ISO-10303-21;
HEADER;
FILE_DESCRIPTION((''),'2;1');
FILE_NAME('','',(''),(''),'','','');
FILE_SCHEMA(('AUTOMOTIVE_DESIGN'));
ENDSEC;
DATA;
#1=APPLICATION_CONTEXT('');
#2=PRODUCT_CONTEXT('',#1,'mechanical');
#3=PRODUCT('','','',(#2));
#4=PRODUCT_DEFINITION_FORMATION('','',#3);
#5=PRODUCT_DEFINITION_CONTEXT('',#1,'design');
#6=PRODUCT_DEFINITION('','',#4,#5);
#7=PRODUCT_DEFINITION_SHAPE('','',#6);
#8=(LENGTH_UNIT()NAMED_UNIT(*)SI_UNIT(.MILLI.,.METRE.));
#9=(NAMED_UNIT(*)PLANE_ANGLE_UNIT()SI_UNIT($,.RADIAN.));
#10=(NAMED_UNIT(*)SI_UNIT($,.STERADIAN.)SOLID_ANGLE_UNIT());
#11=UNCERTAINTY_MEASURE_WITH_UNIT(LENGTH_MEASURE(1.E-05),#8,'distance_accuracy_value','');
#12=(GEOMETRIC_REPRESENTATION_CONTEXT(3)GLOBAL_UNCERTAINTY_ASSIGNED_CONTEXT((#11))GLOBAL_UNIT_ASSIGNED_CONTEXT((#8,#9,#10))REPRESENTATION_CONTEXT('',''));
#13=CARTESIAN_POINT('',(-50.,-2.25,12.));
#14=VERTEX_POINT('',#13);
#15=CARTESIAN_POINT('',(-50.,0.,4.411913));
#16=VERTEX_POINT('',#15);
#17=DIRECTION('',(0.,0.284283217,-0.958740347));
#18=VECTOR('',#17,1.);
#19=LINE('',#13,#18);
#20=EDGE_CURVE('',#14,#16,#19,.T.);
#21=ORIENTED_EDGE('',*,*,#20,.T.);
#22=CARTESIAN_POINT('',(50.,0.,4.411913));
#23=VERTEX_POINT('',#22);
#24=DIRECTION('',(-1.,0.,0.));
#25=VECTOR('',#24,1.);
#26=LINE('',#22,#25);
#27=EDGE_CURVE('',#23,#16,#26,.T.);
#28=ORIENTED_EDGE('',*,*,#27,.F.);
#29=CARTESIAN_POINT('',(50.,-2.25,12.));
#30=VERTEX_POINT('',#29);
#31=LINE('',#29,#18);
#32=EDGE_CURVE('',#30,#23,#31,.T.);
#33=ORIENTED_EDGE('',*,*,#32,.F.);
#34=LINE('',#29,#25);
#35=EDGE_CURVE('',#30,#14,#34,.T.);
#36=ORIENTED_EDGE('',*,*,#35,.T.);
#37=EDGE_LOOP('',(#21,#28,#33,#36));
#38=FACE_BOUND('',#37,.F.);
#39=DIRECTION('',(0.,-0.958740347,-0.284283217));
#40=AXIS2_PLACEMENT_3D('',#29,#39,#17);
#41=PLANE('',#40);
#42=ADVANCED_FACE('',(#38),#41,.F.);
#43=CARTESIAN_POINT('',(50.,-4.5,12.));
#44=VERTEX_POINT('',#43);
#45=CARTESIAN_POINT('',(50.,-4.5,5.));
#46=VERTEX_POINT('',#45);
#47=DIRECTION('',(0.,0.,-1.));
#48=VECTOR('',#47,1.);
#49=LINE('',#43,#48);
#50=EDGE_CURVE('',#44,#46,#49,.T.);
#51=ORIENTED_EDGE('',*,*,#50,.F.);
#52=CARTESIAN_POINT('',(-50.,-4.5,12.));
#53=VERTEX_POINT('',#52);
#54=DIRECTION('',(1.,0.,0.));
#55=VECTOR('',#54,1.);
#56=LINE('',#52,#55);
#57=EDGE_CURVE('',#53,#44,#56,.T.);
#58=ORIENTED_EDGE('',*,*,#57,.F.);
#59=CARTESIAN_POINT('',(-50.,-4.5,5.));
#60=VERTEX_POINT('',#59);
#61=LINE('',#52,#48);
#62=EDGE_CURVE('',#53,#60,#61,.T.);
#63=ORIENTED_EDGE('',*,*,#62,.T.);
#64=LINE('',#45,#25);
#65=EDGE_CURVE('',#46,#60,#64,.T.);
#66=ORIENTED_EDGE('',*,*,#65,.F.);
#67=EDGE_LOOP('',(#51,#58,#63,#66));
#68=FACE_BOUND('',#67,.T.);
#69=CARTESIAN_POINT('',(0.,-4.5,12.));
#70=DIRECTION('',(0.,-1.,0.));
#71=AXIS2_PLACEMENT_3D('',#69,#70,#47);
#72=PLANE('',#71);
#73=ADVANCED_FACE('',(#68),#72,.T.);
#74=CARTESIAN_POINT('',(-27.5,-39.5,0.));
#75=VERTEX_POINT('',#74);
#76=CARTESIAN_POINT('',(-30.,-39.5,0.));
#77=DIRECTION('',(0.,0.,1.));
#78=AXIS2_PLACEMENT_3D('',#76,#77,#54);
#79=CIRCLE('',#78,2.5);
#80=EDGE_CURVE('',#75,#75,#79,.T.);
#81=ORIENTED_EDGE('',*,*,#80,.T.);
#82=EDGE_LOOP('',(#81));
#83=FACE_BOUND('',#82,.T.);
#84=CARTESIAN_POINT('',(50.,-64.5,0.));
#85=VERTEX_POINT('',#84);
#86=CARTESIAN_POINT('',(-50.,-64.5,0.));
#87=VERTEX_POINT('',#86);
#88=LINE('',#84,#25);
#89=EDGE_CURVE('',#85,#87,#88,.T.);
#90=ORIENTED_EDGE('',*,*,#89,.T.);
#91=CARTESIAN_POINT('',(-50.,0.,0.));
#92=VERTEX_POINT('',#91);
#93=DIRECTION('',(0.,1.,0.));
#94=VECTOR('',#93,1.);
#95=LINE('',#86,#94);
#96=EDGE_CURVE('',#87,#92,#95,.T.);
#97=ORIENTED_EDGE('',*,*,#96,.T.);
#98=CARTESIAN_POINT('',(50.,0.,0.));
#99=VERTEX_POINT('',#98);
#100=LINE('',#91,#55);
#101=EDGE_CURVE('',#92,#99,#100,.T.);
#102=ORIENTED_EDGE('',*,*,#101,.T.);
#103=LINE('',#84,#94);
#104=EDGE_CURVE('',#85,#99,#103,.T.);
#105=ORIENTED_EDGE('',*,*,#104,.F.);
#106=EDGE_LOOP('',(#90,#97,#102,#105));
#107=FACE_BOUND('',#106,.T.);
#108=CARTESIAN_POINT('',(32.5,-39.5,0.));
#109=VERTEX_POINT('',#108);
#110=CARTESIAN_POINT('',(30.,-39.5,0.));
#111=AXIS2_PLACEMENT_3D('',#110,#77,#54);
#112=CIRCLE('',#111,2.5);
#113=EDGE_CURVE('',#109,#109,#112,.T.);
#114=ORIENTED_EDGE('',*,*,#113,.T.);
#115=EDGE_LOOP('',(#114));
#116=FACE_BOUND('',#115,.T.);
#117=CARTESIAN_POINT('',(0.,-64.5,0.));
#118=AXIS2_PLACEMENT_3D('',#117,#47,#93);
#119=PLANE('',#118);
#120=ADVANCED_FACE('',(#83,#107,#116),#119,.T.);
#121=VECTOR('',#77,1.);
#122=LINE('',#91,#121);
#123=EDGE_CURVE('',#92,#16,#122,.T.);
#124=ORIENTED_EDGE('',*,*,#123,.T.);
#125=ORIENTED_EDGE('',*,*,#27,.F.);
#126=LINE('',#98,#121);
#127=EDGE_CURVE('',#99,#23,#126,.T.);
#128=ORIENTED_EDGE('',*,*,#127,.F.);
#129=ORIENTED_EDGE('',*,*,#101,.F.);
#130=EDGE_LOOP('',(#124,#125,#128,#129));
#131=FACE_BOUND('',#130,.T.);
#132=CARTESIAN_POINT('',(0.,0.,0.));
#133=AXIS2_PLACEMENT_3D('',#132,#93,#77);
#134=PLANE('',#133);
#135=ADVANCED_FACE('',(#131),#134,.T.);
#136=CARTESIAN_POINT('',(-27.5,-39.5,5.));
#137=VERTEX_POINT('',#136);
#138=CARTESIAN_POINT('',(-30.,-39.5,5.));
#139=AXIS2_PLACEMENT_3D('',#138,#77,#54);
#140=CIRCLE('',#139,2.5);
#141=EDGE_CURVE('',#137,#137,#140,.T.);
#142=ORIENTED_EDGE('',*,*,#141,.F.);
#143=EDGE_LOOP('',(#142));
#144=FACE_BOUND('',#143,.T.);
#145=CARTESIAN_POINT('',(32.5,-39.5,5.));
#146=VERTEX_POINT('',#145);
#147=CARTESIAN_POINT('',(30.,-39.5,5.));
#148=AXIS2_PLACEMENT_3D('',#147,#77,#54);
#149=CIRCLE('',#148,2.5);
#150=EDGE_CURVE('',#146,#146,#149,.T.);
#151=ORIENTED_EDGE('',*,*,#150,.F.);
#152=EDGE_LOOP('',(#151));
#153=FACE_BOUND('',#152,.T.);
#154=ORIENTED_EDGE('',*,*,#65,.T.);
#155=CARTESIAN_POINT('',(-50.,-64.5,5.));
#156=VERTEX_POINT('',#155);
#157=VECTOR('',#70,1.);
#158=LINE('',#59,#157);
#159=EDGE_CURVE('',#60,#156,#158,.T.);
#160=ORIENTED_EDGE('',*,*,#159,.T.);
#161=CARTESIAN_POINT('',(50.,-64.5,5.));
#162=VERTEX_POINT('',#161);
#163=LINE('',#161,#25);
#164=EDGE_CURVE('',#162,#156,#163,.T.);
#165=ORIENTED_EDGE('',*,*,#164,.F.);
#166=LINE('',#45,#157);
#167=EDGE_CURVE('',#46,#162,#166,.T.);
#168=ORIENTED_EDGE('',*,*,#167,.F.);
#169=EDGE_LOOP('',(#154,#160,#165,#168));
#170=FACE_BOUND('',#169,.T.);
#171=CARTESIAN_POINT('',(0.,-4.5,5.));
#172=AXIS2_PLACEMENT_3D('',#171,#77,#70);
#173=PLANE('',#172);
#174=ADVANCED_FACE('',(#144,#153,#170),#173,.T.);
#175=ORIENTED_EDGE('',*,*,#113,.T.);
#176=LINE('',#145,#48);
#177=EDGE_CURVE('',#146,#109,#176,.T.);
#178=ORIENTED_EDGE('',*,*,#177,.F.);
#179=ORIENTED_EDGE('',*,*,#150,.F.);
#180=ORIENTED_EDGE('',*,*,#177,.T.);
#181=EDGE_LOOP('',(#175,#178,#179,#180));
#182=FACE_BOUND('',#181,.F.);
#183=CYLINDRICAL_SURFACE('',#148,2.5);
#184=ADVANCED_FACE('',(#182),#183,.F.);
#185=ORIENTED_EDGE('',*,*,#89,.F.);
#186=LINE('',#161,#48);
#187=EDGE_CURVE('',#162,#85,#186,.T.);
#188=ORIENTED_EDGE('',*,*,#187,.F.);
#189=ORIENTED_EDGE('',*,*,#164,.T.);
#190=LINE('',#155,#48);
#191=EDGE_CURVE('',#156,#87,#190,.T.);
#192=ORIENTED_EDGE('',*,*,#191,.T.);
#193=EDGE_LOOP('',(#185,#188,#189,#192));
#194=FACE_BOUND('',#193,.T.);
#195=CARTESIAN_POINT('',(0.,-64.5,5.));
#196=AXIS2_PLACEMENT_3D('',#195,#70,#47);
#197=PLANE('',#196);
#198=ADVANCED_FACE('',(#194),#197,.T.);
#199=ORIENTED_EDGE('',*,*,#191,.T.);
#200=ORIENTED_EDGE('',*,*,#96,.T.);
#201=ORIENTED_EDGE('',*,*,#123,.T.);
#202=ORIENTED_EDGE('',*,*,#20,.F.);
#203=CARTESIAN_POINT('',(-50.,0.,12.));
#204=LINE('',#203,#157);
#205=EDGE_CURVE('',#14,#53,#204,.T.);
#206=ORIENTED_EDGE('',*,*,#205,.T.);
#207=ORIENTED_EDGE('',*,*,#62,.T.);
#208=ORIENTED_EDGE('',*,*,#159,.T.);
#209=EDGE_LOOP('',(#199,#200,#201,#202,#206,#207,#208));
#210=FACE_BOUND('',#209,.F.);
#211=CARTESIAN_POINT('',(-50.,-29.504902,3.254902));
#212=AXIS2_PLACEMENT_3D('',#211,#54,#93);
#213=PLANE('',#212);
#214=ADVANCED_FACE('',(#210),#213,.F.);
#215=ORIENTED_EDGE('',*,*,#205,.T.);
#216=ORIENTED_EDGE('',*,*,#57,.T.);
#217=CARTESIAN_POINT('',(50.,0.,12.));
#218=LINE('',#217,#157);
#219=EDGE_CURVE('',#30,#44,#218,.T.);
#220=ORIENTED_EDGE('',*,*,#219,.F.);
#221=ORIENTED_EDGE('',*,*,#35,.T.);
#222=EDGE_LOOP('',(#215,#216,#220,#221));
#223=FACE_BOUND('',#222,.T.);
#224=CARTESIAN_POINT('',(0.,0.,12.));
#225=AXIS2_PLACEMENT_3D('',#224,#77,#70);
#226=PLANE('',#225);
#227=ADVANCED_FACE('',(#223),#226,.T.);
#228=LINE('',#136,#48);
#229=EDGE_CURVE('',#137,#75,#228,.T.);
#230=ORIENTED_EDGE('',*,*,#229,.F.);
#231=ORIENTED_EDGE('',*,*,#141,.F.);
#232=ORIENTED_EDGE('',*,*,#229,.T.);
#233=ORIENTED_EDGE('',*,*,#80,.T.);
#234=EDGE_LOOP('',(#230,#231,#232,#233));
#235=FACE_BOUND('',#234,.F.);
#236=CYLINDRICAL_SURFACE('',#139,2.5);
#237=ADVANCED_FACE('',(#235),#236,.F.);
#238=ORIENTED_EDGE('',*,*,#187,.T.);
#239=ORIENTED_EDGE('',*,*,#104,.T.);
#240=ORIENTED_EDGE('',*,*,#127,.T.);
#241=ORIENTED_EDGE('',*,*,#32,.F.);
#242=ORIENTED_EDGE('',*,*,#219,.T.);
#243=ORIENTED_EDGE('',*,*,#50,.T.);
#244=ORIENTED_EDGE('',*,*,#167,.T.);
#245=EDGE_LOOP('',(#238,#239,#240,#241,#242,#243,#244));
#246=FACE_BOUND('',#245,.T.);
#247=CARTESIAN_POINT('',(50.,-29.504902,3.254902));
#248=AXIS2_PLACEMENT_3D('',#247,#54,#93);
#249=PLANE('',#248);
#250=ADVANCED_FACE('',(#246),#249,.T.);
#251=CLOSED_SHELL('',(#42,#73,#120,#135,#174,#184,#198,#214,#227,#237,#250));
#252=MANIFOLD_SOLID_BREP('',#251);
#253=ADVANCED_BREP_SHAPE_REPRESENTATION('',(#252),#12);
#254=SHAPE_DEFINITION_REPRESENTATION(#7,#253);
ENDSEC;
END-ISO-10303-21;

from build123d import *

# Parameters (mm, degrees)
F1_DEPTH = 50
F3_DEPTH = 100
F4_R     = 2.5
F5_DEPTH = 5


with BuildPart() as f1:
    # F0 (on Right) → F1 (new body, symmetric)
    with BuildSketch(Plane.YZ):
        Polygon((-64.5, 0), (0, 0), (0, 12), (-4.5, 12), (-4.5, 5), (-64.5, 5), align=None)
    extrude(amount=F1_DEPTH, both=True)

    # F2 (on face) → F3 (cut, through all)
    with BuildSketch(Plane.YZ.offset(50)):
        Polygon((0, 12), (-2.25, 12), (0, 4.411913), align=None)
    extrude(amount=-F3_DEPTH, mode=Mode.SUBTRACT)

    # F4 (on face) → F5 (cut, through all)
    with BuildSketch(Plane.XY.offset(5)):
        with Locations((-30, -39.5)):
            Circle(F4_R)
        with Locations((30, -39.5)):
            Circle(F4_R)
    extrude(amount=-F5_DEPTH, mode=Mode.SUBTRACT)


solid = f1.part
